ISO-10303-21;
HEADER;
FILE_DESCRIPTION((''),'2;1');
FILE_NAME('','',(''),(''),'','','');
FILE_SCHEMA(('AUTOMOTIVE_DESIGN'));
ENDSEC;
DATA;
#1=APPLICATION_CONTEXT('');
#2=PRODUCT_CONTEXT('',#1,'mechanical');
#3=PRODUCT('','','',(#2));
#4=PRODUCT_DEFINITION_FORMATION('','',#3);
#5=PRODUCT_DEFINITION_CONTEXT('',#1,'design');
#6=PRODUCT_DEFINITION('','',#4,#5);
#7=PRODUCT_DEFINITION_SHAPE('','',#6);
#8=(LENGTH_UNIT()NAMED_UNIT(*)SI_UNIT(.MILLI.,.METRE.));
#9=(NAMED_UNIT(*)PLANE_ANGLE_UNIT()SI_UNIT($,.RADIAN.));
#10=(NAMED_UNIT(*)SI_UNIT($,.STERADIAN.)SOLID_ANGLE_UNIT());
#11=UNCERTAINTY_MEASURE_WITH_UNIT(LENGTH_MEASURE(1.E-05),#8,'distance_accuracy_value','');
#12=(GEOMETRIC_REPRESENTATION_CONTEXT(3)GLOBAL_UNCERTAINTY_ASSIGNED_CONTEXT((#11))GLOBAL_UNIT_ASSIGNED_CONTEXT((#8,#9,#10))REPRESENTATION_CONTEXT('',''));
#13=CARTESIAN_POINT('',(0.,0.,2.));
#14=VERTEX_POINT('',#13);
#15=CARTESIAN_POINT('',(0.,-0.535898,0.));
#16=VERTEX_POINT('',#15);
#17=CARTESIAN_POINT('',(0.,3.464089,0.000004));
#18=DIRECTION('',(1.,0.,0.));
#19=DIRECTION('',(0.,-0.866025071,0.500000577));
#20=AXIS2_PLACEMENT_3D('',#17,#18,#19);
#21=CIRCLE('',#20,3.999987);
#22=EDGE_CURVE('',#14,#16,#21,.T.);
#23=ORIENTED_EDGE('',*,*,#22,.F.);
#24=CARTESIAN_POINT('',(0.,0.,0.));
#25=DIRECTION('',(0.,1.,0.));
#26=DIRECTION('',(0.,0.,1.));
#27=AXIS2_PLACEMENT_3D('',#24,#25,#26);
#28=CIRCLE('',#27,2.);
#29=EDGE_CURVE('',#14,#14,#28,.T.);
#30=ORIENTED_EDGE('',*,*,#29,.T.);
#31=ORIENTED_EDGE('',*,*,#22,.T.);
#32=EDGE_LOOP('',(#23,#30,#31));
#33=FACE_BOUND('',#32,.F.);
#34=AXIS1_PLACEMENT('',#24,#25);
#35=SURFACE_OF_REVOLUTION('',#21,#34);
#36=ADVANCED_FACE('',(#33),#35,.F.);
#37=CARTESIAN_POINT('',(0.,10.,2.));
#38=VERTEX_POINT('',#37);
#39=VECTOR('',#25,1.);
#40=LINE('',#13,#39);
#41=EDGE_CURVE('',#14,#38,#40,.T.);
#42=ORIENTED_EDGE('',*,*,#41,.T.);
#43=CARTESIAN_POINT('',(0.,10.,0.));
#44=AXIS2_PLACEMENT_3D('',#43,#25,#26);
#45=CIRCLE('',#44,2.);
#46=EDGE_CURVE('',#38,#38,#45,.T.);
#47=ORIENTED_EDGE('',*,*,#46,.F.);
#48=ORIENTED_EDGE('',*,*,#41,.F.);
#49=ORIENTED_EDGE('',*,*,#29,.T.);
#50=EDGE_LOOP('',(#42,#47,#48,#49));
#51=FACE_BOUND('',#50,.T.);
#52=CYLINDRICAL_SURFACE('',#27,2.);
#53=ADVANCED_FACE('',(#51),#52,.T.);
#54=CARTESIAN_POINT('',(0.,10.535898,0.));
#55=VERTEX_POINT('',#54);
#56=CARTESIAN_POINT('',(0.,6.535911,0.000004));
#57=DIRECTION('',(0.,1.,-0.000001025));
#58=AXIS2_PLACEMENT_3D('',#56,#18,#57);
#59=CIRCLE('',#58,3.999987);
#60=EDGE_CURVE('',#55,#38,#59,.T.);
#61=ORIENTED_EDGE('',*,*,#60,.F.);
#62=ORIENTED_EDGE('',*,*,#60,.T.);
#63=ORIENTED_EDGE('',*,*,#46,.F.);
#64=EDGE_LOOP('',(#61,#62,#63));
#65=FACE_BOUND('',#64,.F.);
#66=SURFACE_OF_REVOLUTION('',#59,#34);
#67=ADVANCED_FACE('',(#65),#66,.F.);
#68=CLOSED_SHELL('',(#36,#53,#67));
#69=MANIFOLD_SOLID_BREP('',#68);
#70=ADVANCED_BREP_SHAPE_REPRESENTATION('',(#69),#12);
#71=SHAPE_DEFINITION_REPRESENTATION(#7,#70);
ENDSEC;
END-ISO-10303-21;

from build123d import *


with BuildPart() as part:
    # Sketch → Revolution (revolve)
    with BuildSketch(Plane.YZ):
        with BuildLine():
            ThreePointArc((10.535898, 0), (10.399602, 1.035276), (10, 2))
            Line((0, 2), (10, 2))
            ThreePointArc((0, 2), (-0.399602, 1.035276), (-0.535898, 0))
            Line((-0.535898, 0), (10.535898, 0))
        make_face()
    revolve(axis=Axis((0, 0, 0), (0, 1, 0)))


solid = part.part
